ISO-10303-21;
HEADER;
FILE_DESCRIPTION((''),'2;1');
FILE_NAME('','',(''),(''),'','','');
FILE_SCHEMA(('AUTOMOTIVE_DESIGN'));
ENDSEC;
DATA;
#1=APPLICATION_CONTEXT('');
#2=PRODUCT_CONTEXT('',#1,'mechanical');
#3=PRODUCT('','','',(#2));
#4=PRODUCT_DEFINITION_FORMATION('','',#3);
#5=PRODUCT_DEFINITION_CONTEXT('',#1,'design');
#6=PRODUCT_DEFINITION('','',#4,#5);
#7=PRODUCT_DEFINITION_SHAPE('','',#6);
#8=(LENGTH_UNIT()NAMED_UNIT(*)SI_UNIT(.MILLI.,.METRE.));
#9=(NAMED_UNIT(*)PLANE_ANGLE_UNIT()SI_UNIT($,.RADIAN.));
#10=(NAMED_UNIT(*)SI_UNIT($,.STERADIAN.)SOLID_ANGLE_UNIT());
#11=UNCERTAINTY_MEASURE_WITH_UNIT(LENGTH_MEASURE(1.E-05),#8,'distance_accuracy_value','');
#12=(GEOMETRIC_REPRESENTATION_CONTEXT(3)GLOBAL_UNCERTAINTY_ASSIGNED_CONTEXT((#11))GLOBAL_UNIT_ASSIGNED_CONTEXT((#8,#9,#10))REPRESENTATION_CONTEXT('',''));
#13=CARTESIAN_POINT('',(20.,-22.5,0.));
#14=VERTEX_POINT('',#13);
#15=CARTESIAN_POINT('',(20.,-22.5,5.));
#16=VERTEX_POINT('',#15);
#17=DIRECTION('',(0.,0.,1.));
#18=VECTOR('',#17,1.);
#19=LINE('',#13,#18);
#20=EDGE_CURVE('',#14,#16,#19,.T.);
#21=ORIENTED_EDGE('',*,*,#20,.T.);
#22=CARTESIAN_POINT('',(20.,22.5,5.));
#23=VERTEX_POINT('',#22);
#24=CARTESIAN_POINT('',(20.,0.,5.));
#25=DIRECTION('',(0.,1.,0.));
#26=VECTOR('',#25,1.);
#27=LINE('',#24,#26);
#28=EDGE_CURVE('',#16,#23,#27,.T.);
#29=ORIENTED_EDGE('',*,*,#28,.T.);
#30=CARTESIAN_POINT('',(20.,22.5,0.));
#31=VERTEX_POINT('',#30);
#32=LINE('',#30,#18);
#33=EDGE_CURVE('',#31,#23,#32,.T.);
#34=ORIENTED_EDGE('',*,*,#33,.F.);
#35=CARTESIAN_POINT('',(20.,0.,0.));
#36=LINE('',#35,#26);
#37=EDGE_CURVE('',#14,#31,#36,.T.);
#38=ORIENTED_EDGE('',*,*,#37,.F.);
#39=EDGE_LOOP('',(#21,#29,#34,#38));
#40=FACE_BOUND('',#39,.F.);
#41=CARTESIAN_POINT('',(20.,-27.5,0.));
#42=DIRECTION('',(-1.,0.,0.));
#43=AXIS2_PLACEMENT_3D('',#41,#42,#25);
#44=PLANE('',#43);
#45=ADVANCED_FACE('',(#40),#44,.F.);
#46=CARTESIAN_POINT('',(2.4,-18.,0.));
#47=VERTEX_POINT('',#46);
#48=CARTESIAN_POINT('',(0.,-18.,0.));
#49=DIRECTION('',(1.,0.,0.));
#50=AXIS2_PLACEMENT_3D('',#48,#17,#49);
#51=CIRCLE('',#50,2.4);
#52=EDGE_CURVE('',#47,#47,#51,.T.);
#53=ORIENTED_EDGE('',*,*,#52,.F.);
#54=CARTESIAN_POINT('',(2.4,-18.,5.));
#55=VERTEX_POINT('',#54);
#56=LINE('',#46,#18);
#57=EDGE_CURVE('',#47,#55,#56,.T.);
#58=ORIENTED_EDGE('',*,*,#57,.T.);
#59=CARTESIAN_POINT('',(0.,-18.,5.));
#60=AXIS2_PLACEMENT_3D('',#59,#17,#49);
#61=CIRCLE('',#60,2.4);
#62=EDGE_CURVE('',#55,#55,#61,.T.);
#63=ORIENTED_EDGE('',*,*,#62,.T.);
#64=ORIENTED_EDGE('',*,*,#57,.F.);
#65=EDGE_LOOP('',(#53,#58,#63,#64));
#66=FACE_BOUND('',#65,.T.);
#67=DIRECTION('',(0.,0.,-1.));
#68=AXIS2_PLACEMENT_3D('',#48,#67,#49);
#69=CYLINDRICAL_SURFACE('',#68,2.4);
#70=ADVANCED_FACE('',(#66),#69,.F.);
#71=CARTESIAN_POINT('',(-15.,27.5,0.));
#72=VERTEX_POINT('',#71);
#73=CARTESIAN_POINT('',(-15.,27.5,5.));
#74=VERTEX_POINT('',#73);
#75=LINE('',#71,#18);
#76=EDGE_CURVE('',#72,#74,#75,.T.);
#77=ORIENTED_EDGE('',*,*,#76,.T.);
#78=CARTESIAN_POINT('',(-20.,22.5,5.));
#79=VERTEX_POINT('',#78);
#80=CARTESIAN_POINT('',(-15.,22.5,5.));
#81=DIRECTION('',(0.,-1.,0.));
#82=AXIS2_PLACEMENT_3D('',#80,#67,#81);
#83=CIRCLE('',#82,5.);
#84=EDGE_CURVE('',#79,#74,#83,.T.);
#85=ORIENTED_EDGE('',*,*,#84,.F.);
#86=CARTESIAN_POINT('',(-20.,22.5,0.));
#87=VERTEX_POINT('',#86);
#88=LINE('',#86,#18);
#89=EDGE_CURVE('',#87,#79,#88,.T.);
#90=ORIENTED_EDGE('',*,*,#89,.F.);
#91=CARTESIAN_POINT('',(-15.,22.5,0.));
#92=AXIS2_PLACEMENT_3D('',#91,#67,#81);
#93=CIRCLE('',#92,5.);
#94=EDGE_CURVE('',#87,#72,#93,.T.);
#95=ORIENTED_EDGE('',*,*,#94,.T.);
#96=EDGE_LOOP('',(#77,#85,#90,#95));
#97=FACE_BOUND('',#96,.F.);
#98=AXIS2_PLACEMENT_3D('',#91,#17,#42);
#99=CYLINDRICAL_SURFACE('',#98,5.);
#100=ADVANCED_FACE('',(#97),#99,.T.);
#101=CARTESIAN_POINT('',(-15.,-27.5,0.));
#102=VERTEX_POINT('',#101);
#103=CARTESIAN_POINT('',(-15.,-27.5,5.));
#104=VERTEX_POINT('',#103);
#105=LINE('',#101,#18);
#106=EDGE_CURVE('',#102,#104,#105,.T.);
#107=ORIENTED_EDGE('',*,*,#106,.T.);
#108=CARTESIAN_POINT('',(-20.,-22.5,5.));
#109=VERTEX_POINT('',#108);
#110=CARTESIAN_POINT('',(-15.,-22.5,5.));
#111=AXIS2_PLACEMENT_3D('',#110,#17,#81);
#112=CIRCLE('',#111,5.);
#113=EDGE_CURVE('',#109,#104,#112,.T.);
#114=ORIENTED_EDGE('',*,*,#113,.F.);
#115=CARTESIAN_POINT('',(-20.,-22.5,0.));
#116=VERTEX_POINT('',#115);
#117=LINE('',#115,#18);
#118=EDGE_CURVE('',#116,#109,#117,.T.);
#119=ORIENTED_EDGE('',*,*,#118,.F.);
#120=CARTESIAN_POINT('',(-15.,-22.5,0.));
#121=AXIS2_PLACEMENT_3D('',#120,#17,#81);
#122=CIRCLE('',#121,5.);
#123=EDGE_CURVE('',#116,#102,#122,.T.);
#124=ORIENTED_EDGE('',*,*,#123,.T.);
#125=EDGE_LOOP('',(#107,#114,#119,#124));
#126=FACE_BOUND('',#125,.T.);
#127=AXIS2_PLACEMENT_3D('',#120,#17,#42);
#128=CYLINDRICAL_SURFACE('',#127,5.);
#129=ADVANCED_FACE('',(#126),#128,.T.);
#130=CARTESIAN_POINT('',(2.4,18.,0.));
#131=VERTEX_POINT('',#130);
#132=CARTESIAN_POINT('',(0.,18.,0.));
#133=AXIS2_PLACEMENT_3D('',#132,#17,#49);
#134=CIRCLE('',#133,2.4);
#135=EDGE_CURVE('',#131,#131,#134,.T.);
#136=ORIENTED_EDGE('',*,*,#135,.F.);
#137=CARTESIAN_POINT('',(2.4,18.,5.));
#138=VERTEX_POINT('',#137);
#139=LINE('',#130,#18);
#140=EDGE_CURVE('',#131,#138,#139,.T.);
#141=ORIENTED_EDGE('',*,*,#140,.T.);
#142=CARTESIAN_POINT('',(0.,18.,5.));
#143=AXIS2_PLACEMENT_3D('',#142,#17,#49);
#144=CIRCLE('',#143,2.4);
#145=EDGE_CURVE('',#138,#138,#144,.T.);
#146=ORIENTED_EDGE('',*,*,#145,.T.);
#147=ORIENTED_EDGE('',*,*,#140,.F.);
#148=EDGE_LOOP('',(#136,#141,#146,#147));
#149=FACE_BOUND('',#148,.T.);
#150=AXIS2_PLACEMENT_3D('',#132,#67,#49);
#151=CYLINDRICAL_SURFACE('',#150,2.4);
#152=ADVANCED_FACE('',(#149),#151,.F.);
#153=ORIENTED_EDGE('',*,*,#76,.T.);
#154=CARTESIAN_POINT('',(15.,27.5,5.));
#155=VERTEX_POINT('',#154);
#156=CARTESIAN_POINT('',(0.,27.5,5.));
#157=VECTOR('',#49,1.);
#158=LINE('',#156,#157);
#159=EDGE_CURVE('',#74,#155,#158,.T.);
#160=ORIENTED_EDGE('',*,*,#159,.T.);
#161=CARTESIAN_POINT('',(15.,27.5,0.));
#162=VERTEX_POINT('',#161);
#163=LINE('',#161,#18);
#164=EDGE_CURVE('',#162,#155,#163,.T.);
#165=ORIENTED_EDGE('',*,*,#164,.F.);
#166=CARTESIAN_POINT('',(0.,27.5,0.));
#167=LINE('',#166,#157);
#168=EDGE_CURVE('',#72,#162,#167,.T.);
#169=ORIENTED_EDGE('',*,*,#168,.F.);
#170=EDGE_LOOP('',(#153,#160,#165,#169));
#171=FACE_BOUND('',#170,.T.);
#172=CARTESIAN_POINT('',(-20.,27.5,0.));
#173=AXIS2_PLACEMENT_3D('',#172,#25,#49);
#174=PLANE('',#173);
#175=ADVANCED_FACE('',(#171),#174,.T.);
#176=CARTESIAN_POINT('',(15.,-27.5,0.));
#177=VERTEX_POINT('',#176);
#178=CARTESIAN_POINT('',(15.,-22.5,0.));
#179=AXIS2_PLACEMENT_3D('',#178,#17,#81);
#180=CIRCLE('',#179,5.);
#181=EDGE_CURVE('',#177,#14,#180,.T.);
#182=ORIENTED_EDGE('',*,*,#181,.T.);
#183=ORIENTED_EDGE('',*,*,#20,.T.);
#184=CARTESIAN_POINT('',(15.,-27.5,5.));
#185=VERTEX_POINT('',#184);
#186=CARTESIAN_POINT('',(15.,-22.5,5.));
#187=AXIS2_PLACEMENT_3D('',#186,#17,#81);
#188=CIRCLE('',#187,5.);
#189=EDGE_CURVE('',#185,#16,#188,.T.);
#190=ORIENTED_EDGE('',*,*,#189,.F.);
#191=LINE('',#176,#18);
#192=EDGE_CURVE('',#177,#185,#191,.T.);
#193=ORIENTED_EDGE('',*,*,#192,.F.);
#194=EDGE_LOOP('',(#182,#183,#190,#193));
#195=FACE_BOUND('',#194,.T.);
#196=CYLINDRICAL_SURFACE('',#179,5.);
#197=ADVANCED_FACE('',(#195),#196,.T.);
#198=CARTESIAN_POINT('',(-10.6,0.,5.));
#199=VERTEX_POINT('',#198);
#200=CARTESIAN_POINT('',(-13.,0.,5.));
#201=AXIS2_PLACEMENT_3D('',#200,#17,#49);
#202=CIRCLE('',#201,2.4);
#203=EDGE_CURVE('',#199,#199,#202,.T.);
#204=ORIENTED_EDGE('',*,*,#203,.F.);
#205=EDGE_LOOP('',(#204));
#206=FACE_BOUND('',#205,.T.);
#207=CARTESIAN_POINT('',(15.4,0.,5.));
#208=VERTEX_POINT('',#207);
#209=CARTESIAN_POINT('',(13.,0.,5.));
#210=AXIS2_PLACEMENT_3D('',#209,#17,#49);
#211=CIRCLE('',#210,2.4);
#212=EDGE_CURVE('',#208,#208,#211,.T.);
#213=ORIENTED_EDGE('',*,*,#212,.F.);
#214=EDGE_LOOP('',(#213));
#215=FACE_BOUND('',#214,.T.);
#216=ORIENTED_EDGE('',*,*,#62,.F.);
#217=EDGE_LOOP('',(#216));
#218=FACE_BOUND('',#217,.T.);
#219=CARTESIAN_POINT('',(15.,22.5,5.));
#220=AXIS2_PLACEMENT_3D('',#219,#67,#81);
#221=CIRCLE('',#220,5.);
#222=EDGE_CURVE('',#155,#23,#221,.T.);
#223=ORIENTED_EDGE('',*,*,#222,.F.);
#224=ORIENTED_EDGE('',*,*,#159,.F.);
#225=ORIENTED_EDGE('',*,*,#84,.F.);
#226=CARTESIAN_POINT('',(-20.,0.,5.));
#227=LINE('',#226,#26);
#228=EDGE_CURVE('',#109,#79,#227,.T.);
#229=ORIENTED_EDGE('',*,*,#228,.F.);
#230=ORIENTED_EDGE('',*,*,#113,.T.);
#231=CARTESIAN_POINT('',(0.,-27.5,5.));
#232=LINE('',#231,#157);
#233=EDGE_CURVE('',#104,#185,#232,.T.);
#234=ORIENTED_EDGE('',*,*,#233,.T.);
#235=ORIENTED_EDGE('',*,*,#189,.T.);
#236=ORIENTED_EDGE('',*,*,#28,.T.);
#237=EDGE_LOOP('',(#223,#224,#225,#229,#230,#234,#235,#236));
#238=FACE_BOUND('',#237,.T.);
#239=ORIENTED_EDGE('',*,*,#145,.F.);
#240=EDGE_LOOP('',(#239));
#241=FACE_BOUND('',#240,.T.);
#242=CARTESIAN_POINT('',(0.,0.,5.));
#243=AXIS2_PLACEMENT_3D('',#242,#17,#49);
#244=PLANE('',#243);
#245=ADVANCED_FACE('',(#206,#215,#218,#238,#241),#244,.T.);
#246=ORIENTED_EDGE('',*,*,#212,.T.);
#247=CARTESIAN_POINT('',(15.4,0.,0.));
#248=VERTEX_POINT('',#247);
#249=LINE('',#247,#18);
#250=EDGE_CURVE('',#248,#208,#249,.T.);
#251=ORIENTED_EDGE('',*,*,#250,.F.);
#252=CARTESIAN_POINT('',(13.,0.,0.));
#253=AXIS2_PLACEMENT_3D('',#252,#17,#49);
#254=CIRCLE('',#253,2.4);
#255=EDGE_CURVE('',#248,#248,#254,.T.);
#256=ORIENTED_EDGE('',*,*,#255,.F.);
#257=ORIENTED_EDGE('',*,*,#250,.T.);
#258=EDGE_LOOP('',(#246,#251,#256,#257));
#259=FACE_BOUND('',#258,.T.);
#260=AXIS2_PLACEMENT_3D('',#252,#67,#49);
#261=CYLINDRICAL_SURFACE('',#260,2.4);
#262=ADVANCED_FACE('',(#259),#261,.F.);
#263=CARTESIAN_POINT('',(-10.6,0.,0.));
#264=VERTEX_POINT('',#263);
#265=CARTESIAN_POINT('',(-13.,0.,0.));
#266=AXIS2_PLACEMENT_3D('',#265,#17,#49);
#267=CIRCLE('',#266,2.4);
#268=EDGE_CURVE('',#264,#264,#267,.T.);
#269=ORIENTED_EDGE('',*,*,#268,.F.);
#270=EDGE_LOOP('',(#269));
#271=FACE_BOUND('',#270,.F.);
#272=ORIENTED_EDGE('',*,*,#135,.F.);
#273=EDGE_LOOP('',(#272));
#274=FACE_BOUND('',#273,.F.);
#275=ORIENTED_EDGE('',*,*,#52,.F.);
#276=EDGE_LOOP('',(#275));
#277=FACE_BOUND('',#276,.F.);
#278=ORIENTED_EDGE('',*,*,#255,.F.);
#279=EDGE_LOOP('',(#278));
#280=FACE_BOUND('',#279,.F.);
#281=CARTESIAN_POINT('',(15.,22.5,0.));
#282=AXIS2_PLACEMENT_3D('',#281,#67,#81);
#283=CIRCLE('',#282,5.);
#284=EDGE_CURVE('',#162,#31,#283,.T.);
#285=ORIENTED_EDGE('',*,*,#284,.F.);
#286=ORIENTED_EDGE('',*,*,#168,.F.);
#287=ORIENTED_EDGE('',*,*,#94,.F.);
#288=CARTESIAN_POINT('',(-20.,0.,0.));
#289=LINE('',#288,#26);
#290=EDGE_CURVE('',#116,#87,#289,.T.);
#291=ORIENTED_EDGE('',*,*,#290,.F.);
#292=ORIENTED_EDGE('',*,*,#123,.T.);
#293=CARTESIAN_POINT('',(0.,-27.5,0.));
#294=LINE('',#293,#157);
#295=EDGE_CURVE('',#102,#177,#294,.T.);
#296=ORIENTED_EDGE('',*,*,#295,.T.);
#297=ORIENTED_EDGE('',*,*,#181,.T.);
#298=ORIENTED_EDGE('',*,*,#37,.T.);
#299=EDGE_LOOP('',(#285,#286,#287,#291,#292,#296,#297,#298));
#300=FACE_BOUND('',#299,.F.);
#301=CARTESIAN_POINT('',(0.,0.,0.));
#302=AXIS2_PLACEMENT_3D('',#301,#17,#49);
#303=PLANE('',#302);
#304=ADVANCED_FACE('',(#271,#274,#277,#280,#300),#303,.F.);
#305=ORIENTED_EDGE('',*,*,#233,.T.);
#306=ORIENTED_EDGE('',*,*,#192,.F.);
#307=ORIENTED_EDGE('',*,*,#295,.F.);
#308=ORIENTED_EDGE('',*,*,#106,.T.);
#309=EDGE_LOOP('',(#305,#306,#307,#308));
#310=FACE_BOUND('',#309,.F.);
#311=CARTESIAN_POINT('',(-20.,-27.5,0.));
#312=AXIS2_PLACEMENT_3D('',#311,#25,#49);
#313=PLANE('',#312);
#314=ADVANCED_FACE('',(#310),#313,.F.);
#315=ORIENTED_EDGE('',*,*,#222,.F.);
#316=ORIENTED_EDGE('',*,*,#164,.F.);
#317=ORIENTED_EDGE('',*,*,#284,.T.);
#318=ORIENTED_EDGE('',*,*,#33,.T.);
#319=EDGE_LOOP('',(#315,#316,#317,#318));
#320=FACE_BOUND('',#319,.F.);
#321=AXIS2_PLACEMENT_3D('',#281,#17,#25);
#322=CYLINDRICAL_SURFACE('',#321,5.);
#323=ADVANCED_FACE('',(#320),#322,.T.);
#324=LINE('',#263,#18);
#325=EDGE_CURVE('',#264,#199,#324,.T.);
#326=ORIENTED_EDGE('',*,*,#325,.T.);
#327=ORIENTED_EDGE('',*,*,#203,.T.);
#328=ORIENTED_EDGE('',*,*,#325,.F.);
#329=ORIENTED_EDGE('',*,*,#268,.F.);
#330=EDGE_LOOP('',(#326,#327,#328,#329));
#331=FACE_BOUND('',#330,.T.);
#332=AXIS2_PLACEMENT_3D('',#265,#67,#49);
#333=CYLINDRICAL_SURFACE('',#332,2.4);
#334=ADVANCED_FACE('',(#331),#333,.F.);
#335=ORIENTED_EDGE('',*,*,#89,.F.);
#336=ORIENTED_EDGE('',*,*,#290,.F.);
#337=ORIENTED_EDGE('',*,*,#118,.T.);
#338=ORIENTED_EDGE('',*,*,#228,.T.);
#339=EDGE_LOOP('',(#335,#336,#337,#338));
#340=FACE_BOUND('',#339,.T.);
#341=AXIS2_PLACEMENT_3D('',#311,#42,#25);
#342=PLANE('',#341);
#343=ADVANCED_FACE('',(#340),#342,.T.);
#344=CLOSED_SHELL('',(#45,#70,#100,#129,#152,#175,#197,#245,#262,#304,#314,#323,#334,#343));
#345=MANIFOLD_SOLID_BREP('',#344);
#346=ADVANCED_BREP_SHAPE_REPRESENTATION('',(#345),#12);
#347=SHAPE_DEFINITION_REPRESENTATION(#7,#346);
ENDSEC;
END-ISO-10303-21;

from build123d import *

# Parameters (mm, degrees)
SKETCH1_W           = 40
SKETCH1_H           = 55
SKETCH1_R           = 2.4
BOSS_EXTRUDE1_DEPTH = 5
FILLET1_R           = 5


with BuildPart() as part:
    # Sketch1 → Boss-Extrude1 (new body)
    with BuildSketch(Plane.XY):
        Rectangle(SKETCH1_W, SKETCH1_H)
        with Locations((0, 18)):
            Circle(SKETCH1_R, mode=Mode.SUBTRACT)
        with Locations((-13, 0)):
            Circle(SKETCH1_R, mode=Mode.SUBTRACT)
        with Locations((0, -18)):
            Circle(SKETCH1_R, mode=Mode.SUBTRACT)
        with Locations((13, 0)):
            Circle(SKETCH1_R, mode=Mode.SUBTRACT)
    extrude(amount=BOSS_EXTRUDE1_DEPTH)

    # Fillet1
    fillet1_edges = [part.edges().sort_by_distance(p)[0] for p in [
        (20, -27.5, 2.5),
        (-20, -27.5, 2.5),
        (-20, 27.5, 2.5),
        (20, 27.5, 2.5),
    ]]
    fillet(fillet1_edges, radius=FILLET1_R)


solid = part.part
